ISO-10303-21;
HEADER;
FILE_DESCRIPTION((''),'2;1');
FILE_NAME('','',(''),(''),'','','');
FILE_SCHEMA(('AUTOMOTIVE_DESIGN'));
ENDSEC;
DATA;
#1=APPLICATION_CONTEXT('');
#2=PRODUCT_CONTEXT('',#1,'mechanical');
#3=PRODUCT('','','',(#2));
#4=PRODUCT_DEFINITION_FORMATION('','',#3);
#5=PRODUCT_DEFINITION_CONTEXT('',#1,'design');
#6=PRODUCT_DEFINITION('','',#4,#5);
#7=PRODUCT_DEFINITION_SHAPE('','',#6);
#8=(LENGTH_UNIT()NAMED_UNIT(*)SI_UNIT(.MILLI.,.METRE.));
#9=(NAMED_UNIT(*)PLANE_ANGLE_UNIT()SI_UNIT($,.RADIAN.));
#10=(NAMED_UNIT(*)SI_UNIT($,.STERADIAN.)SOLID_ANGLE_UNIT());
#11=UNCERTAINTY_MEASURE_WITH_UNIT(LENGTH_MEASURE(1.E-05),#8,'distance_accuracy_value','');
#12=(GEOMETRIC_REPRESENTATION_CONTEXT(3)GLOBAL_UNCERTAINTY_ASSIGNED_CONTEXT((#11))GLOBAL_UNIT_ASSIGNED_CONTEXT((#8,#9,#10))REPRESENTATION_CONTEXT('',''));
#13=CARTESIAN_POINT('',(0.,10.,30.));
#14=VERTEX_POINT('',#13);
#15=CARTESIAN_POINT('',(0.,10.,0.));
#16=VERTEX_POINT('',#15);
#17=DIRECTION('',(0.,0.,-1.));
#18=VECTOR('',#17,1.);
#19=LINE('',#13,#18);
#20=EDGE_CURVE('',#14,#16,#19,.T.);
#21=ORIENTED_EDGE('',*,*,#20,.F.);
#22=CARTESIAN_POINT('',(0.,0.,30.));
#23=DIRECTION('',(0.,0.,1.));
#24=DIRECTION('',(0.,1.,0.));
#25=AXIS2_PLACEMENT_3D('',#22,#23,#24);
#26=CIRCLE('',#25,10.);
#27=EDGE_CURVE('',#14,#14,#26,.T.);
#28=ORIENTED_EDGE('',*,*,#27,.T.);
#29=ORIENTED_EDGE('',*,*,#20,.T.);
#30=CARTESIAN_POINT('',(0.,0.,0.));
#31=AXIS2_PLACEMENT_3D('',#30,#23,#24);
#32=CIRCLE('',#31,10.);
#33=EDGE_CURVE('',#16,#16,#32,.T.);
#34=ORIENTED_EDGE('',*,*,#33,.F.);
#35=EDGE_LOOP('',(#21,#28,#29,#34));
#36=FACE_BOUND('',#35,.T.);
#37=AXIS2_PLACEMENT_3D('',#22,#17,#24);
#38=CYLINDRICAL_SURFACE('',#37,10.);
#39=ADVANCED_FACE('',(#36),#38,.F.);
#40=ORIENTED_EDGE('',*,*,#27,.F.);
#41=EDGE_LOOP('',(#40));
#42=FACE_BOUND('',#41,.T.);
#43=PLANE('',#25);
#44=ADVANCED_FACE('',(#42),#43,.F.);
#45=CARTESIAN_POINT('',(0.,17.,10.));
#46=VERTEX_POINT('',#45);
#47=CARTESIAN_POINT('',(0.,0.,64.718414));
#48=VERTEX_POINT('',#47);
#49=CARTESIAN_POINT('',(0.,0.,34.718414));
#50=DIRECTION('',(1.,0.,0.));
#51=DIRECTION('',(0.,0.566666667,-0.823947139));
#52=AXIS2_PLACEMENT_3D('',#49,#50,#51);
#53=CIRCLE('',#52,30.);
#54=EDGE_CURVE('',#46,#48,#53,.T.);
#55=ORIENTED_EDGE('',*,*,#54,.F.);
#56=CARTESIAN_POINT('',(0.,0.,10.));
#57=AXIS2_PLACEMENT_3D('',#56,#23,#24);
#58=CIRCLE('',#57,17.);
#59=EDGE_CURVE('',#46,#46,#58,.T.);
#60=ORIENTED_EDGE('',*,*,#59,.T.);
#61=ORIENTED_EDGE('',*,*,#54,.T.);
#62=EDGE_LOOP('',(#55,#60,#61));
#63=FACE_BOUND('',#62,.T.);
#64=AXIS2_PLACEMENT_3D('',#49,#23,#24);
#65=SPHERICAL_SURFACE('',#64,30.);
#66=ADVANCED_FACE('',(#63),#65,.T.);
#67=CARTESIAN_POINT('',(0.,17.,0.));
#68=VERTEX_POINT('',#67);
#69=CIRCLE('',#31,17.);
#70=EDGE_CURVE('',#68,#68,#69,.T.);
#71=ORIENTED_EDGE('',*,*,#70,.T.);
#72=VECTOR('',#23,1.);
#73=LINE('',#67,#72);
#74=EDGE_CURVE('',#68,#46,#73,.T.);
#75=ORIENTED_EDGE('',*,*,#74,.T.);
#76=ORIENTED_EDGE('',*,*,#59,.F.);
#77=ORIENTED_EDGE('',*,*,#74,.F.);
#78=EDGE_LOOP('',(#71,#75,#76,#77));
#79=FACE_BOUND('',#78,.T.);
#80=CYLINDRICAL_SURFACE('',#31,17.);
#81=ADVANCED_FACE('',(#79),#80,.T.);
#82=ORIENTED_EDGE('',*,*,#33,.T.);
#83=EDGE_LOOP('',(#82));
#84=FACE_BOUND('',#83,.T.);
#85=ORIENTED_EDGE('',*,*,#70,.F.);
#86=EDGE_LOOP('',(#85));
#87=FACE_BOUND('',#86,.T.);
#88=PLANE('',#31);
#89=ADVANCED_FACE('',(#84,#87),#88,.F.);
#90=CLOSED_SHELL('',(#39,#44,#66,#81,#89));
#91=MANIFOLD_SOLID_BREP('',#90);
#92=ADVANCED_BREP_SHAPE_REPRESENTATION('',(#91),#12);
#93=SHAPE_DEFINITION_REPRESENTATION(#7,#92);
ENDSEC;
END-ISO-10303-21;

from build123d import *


with BuildPart() as f1:
    # F0 (on Right) → F1 (revolve)
    with BuildSketch(Plane.YZ):
        with BuildLine():
            Line((17, 0), (17, 10))
            ThreePointArc((17, 10), (28.649192, 43.619189), (0, 64.718414))
            Line((0, 64.718414), (0, 30))
            Line((0, 30), (10, 30))
            Line((10, 30), (10, 0))
            Line((10, 0), (17, 0))
        make_face()
    revolve(axis=Axis((0, 0, -35.023033), (0, 0, 1)))


solid = f1.part
